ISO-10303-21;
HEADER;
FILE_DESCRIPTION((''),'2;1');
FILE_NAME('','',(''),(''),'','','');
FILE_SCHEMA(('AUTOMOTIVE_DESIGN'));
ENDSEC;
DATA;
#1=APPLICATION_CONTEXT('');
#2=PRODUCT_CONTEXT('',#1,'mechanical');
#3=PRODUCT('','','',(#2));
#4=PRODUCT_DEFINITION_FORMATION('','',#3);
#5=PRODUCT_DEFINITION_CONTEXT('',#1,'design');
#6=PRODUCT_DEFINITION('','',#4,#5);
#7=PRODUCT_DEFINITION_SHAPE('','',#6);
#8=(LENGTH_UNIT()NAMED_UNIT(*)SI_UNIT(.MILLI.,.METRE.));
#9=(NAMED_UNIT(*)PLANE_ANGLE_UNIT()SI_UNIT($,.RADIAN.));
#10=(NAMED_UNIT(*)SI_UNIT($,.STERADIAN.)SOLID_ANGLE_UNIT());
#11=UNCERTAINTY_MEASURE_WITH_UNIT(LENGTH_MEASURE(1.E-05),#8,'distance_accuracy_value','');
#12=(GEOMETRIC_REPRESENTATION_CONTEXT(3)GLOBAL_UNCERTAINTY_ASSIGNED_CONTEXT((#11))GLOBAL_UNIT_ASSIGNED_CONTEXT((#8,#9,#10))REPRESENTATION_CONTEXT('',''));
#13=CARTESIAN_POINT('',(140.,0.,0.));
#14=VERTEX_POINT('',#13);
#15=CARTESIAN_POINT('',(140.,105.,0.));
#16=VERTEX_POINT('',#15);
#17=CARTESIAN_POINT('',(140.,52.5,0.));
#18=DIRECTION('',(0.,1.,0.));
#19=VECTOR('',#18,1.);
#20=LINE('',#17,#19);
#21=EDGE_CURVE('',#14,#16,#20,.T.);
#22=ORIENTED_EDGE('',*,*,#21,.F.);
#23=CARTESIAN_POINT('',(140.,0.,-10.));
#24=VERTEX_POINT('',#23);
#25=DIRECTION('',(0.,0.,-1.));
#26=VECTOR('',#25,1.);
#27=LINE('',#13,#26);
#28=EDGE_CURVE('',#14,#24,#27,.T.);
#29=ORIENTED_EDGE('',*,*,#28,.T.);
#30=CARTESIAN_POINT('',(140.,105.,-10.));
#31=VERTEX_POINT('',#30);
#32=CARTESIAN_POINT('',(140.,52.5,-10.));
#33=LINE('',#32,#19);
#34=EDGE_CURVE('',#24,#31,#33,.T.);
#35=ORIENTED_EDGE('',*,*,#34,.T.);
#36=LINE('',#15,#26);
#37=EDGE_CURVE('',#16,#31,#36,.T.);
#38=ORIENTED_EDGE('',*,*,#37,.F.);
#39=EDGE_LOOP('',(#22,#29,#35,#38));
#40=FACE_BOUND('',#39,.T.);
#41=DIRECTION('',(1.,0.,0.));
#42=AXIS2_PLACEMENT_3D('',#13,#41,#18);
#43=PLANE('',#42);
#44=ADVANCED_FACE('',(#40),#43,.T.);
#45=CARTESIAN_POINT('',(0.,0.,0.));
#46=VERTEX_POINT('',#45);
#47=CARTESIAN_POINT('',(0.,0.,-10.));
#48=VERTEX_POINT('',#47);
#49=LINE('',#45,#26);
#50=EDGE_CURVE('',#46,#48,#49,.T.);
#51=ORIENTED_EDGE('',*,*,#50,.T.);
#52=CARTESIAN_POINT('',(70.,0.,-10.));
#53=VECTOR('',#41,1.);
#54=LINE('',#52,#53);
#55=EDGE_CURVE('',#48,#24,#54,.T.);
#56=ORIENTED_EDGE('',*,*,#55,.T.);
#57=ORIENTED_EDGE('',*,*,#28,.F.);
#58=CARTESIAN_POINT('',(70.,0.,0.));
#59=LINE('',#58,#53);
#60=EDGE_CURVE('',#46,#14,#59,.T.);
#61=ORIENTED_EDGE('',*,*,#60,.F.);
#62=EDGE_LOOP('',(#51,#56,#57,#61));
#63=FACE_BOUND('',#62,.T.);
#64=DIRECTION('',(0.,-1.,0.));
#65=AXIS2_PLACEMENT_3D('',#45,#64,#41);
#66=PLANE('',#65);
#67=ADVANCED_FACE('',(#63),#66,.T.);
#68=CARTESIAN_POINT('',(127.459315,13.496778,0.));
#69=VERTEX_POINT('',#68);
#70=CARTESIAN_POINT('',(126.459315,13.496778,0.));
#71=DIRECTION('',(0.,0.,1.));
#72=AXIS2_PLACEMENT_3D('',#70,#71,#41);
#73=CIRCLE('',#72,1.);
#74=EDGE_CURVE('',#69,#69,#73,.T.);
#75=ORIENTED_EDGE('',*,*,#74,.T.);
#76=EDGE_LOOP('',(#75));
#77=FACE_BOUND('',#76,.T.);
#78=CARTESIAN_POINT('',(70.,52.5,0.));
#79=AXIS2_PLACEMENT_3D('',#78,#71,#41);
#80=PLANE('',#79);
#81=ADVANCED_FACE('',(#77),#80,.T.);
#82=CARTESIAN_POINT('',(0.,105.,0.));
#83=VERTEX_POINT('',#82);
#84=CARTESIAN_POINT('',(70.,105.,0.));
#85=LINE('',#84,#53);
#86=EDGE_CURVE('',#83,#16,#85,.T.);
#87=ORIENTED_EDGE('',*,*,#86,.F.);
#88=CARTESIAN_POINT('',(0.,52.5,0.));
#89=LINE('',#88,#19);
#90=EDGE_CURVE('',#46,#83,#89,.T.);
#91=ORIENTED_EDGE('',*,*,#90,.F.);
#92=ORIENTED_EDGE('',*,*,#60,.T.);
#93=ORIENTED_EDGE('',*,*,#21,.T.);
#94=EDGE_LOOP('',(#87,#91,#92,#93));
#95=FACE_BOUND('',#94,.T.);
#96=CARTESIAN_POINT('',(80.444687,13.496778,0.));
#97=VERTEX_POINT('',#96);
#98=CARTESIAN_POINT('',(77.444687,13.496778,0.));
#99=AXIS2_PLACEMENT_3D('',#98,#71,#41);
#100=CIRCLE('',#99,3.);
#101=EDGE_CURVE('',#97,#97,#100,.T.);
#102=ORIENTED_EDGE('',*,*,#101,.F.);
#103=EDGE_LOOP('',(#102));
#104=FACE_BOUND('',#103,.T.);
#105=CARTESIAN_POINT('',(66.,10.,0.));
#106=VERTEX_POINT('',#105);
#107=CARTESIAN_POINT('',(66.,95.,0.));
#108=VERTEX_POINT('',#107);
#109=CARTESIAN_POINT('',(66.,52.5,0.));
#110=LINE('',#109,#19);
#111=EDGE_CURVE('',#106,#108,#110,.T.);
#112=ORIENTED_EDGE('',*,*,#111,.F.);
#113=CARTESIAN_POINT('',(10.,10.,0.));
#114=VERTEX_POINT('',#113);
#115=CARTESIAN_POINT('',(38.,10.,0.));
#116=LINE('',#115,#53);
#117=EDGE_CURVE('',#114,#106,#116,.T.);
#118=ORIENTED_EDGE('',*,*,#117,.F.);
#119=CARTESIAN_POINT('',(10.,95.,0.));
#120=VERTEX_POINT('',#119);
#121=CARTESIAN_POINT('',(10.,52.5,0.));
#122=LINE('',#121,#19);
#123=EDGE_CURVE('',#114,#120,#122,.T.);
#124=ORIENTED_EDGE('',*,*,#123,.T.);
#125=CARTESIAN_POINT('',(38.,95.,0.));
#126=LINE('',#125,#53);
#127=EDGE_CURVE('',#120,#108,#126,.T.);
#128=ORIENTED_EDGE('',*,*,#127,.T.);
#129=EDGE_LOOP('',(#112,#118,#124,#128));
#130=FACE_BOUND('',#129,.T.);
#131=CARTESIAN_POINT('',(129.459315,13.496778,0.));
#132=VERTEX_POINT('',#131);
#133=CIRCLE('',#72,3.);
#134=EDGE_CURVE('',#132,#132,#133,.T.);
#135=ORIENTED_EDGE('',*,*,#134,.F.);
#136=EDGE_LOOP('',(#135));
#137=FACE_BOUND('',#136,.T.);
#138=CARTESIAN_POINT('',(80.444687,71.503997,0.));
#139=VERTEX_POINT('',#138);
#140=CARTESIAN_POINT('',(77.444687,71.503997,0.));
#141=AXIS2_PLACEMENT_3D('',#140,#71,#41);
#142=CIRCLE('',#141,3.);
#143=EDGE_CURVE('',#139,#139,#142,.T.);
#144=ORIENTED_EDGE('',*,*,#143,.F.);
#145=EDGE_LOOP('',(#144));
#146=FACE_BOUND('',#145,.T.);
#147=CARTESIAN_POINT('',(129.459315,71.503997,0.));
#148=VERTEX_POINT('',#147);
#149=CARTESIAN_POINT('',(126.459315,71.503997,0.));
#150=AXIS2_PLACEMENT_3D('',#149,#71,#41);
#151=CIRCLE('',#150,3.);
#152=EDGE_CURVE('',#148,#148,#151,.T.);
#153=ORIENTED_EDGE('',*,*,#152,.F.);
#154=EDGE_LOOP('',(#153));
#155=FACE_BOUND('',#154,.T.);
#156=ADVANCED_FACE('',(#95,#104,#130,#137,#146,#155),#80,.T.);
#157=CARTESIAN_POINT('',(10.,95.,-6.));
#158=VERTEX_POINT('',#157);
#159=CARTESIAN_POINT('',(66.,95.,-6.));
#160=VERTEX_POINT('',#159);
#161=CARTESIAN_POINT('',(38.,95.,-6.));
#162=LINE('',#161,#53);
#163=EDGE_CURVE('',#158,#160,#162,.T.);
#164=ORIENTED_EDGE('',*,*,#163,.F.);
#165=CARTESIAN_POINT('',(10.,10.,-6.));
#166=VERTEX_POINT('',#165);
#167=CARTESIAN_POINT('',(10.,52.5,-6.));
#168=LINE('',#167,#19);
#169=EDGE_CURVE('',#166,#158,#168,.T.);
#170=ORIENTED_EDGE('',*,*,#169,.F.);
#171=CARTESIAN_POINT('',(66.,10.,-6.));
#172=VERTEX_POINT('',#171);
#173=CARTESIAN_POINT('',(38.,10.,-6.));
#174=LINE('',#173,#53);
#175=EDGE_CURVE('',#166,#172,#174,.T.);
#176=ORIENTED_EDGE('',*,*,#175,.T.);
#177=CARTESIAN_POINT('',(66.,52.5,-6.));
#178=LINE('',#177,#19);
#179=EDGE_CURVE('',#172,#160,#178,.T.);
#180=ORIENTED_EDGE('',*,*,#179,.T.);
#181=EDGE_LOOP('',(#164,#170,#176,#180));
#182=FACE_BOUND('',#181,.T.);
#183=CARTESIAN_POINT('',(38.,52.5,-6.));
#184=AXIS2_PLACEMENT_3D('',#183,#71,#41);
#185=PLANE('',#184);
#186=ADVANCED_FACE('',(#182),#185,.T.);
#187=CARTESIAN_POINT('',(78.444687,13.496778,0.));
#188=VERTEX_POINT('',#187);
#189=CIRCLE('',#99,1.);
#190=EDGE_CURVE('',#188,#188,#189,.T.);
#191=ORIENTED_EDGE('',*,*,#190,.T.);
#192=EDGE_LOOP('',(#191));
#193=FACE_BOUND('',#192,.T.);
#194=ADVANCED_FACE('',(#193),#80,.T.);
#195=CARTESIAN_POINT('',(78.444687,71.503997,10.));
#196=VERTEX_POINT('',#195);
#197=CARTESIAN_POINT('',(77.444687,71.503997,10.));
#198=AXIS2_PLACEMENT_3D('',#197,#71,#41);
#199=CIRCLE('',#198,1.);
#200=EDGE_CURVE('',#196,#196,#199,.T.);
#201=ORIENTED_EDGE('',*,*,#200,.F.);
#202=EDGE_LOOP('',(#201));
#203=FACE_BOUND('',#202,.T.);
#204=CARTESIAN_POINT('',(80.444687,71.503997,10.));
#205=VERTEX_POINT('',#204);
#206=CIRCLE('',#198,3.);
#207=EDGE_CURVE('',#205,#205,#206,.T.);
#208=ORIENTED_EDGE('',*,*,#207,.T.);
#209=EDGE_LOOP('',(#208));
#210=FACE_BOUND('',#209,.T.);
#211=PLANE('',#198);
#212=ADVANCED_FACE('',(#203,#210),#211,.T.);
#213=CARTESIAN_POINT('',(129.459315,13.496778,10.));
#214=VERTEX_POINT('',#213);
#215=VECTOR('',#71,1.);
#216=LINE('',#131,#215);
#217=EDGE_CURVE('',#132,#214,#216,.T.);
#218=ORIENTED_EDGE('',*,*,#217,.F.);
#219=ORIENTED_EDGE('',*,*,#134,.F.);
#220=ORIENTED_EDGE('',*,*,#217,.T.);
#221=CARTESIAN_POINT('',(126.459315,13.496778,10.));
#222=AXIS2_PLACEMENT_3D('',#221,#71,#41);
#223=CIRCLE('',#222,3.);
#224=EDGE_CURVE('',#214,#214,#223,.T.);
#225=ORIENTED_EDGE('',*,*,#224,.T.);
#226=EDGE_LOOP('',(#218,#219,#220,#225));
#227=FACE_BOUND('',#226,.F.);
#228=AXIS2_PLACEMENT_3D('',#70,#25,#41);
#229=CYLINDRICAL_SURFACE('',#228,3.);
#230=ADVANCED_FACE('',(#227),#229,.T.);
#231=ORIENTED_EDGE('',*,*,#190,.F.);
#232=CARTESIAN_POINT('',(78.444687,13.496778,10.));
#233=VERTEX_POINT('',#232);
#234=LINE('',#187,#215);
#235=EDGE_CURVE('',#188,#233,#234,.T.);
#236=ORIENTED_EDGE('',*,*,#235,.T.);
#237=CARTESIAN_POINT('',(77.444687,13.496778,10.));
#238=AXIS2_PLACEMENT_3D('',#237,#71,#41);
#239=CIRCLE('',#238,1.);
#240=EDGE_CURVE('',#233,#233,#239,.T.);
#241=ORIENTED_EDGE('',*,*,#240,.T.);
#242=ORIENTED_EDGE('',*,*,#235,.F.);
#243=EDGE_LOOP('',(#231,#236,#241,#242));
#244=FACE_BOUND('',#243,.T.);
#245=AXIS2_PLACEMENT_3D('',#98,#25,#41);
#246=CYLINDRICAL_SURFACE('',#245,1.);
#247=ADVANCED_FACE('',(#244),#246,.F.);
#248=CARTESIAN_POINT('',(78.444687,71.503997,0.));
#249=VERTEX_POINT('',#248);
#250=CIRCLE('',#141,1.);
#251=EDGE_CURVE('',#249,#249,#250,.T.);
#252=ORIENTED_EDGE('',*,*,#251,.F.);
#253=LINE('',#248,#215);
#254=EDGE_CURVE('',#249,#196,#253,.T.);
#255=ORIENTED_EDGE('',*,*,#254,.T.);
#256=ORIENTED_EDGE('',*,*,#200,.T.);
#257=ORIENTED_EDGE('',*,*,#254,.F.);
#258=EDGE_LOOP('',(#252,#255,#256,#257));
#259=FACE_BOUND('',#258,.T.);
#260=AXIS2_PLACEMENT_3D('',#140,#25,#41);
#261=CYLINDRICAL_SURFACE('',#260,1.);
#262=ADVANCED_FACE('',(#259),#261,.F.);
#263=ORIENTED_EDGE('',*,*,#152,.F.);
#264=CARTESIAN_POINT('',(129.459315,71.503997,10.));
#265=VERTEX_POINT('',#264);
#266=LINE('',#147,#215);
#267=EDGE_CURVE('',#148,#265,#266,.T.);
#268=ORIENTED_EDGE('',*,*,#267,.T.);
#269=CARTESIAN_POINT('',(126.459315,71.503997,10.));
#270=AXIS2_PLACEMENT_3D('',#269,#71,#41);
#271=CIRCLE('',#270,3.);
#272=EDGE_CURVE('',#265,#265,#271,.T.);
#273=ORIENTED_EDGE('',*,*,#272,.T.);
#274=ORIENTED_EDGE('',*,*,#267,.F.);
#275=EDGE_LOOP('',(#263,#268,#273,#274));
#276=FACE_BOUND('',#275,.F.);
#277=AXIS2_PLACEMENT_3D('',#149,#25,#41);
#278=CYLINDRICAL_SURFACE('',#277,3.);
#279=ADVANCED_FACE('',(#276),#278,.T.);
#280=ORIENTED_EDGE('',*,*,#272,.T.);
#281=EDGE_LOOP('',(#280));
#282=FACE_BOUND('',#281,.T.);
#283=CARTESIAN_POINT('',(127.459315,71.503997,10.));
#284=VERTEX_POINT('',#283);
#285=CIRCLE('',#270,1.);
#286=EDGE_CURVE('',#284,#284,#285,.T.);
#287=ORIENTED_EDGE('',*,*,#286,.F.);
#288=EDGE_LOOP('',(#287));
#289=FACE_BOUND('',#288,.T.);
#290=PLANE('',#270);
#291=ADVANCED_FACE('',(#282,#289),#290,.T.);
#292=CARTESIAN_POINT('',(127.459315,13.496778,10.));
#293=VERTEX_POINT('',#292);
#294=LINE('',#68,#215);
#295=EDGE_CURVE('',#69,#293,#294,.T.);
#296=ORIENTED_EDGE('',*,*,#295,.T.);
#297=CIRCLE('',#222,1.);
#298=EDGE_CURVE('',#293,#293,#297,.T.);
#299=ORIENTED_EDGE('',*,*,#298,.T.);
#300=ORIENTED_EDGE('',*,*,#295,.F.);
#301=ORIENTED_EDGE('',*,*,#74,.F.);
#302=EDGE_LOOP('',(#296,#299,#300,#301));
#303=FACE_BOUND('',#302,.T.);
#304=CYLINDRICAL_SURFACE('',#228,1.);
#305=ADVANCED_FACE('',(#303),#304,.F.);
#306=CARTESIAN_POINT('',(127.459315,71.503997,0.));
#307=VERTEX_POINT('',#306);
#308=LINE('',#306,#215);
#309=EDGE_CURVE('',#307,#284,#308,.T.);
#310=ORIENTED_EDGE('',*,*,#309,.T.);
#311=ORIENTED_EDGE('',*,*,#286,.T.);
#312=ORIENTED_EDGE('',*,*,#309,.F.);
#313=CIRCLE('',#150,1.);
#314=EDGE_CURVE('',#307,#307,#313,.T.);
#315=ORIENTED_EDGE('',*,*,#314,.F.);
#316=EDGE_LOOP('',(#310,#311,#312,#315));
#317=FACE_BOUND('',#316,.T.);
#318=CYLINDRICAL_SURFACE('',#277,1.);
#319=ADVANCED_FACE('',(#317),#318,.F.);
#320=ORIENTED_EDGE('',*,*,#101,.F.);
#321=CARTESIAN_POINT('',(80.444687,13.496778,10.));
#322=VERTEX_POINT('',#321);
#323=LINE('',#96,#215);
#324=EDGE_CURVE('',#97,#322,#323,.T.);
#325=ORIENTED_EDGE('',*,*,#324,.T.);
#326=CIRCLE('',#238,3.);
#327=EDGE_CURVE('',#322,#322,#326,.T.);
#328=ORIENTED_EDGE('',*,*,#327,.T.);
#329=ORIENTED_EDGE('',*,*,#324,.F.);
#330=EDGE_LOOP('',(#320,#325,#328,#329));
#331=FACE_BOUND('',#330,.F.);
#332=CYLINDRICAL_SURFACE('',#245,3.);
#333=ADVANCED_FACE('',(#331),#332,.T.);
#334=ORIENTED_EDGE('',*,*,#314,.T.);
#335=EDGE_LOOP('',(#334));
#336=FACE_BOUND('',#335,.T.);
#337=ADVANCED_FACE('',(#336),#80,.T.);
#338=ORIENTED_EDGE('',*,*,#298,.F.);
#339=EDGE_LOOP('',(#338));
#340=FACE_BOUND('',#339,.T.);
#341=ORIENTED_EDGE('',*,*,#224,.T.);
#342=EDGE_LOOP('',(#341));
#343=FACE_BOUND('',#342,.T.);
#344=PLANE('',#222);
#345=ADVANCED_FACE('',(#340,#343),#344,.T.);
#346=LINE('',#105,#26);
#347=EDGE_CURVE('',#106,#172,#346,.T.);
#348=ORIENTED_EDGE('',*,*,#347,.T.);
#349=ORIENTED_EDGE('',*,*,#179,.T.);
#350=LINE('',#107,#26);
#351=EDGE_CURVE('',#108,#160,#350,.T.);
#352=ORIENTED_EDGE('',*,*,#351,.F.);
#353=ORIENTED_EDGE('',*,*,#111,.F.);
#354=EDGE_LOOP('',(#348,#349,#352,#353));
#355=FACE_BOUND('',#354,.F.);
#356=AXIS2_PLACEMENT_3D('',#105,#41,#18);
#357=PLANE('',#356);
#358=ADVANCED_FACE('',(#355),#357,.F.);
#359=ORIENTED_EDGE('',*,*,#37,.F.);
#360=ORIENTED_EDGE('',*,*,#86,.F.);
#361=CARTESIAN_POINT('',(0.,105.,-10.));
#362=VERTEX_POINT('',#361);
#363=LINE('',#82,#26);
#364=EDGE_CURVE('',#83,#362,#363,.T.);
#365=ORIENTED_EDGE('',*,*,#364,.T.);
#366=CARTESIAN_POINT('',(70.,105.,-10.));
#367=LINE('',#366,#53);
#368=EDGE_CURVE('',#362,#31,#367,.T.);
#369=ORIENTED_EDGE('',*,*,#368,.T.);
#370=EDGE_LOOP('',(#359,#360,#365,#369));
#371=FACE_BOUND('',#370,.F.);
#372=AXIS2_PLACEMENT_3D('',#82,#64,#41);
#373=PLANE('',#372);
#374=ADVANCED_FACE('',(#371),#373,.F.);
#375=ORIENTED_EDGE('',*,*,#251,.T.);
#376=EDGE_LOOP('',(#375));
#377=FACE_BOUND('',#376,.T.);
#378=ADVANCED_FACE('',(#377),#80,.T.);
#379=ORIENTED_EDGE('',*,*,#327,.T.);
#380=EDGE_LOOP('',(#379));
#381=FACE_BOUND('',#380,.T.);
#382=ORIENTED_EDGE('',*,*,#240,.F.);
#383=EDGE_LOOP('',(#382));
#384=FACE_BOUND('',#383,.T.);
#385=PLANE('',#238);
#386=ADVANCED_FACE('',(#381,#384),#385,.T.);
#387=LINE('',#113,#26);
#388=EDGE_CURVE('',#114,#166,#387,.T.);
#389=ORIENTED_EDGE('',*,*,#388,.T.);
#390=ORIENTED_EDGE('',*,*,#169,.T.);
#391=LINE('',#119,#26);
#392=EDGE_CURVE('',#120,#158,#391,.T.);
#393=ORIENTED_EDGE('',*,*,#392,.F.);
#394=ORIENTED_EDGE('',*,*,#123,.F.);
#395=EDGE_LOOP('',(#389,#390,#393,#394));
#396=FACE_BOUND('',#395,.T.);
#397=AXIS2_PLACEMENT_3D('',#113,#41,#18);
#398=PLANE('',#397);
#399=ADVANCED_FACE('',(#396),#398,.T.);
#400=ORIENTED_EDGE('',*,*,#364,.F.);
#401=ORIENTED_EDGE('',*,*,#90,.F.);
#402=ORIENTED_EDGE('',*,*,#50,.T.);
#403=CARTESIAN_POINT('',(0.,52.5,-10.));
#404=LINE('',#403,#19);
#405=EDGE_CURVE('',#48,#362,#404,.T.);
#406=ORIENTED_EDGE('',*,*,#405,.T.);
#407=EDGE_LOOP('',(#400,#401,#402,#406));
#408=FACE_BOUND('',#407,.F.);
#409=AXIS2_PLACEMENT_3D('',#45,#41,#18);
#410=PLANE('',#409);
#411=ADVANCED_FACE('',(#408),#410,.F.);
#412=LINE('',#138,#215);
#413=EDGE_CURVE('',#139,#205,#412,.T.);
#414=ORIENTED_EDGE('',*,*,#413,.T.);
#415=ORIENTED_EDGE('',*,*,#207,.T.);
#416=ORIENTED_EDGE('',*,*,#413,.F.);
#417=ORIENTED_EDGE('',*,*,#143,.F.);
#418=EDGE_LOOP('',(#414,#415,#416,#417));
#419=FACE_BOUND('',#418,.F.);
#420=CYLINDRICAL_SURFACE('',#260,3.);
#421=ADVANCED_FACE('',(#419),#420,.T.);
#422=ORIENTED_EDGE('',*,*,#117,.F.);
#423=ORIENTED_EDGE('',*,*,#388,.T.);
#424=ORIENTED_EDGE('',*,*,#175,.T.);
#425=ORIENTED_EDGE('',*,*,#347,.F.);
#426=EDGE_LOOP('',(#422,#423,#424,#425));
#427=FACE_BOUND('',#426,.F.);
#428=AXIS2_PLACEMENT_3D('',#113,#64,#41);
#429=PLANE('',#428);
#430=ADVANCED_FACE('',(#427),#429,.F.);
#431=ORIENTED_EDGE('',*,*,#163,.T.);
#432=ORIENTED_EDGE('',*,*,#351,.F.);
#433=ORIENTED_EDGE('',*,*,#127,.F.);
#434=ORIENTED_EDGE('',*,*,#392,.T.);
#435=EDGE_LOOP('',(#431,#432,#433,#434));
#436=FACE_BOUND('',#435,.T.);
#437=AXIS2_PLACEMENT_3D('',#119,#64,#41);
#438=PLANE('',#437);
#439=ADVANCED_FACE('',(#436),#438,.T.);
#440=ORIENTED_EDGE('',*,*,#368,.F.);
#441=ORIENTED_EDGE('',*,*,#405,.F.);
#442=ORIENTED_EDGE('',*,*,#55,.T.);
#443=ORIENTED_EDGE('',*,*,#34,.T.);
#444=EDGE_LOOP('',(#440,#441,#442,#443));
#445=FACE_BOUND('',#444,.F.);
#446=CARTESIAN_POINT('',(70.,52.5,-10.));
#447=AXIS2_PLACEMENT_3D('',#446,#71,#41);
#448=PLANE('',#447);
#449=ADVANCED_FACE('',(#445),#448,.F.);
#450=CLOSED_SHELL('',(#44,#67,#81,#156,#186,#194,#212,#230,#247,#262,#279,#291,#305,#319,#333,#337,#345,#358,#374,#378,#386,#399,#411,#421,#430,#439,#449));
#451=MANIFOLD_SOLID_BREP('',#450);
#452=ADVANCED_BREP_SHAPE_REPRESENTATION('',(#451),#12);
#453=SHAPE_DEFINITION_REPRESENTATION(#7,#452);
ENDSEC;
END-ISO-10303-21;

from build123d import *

# Parameters (mm, degrees)
F0_W     = 140
F0_H     = 105
F1_DEPTH = 10
F2_R     = 3
F2_R_2   = 1
F3_DEPTH = 10
F4_W     = 56
F4_H     = 85
F5_DEPTH = 6


with BuildPart() as f1:
    # F0 (on Top) → F1 (new body)
    with BuildSketch(Plane.XY):
        with Locations((70, 52.5)):
            Rectangle(F0_W, F0_H)
    extrude(amount=-F1_DEPTH)

    # F2 (on Top) → F3 (join)
    with BuildSketch(Plane.XY):
        with Locations((77.444687, 71.503997)):
            Circle(F2_R)
        with Locations((77.444687, 71.503997)):
            Circle(F2_R_2, mode=Mode.SUBTRACT)
        with Locations((126.459315, 71.503997)):
            Circle(F2_R)
        with Locations((126.459315, 71.503997)):
            Circle(F2_R_2, mode=Mode.SUBTRACT)
        with Locations((126.459315, 13.496778)):
            Circle(F2_R)
        with Locations((126.459315, 13.496778)):
            Circle(F2_R_2, mode=Mode.SUBTRACT)
        with Locations((77.444687, 13.496778)):
            Circle(F2_R)
        with Locations((77.444687, 13.496778)):
            Circle(F2_R_2, mode=Mode.SUBTRACT)
    extrude(amount=F3_DEPTH)

    # F4 (on face) → F5 (cut)
    with BuildSketch(Plane.XY):
        with Locations((38, 52.5)):
            Rectangle(F4_W, F4_H)
    extrude(amount=-F5_DEPTH, mode=Mode.SUBTRACT)


solid = f1.part
